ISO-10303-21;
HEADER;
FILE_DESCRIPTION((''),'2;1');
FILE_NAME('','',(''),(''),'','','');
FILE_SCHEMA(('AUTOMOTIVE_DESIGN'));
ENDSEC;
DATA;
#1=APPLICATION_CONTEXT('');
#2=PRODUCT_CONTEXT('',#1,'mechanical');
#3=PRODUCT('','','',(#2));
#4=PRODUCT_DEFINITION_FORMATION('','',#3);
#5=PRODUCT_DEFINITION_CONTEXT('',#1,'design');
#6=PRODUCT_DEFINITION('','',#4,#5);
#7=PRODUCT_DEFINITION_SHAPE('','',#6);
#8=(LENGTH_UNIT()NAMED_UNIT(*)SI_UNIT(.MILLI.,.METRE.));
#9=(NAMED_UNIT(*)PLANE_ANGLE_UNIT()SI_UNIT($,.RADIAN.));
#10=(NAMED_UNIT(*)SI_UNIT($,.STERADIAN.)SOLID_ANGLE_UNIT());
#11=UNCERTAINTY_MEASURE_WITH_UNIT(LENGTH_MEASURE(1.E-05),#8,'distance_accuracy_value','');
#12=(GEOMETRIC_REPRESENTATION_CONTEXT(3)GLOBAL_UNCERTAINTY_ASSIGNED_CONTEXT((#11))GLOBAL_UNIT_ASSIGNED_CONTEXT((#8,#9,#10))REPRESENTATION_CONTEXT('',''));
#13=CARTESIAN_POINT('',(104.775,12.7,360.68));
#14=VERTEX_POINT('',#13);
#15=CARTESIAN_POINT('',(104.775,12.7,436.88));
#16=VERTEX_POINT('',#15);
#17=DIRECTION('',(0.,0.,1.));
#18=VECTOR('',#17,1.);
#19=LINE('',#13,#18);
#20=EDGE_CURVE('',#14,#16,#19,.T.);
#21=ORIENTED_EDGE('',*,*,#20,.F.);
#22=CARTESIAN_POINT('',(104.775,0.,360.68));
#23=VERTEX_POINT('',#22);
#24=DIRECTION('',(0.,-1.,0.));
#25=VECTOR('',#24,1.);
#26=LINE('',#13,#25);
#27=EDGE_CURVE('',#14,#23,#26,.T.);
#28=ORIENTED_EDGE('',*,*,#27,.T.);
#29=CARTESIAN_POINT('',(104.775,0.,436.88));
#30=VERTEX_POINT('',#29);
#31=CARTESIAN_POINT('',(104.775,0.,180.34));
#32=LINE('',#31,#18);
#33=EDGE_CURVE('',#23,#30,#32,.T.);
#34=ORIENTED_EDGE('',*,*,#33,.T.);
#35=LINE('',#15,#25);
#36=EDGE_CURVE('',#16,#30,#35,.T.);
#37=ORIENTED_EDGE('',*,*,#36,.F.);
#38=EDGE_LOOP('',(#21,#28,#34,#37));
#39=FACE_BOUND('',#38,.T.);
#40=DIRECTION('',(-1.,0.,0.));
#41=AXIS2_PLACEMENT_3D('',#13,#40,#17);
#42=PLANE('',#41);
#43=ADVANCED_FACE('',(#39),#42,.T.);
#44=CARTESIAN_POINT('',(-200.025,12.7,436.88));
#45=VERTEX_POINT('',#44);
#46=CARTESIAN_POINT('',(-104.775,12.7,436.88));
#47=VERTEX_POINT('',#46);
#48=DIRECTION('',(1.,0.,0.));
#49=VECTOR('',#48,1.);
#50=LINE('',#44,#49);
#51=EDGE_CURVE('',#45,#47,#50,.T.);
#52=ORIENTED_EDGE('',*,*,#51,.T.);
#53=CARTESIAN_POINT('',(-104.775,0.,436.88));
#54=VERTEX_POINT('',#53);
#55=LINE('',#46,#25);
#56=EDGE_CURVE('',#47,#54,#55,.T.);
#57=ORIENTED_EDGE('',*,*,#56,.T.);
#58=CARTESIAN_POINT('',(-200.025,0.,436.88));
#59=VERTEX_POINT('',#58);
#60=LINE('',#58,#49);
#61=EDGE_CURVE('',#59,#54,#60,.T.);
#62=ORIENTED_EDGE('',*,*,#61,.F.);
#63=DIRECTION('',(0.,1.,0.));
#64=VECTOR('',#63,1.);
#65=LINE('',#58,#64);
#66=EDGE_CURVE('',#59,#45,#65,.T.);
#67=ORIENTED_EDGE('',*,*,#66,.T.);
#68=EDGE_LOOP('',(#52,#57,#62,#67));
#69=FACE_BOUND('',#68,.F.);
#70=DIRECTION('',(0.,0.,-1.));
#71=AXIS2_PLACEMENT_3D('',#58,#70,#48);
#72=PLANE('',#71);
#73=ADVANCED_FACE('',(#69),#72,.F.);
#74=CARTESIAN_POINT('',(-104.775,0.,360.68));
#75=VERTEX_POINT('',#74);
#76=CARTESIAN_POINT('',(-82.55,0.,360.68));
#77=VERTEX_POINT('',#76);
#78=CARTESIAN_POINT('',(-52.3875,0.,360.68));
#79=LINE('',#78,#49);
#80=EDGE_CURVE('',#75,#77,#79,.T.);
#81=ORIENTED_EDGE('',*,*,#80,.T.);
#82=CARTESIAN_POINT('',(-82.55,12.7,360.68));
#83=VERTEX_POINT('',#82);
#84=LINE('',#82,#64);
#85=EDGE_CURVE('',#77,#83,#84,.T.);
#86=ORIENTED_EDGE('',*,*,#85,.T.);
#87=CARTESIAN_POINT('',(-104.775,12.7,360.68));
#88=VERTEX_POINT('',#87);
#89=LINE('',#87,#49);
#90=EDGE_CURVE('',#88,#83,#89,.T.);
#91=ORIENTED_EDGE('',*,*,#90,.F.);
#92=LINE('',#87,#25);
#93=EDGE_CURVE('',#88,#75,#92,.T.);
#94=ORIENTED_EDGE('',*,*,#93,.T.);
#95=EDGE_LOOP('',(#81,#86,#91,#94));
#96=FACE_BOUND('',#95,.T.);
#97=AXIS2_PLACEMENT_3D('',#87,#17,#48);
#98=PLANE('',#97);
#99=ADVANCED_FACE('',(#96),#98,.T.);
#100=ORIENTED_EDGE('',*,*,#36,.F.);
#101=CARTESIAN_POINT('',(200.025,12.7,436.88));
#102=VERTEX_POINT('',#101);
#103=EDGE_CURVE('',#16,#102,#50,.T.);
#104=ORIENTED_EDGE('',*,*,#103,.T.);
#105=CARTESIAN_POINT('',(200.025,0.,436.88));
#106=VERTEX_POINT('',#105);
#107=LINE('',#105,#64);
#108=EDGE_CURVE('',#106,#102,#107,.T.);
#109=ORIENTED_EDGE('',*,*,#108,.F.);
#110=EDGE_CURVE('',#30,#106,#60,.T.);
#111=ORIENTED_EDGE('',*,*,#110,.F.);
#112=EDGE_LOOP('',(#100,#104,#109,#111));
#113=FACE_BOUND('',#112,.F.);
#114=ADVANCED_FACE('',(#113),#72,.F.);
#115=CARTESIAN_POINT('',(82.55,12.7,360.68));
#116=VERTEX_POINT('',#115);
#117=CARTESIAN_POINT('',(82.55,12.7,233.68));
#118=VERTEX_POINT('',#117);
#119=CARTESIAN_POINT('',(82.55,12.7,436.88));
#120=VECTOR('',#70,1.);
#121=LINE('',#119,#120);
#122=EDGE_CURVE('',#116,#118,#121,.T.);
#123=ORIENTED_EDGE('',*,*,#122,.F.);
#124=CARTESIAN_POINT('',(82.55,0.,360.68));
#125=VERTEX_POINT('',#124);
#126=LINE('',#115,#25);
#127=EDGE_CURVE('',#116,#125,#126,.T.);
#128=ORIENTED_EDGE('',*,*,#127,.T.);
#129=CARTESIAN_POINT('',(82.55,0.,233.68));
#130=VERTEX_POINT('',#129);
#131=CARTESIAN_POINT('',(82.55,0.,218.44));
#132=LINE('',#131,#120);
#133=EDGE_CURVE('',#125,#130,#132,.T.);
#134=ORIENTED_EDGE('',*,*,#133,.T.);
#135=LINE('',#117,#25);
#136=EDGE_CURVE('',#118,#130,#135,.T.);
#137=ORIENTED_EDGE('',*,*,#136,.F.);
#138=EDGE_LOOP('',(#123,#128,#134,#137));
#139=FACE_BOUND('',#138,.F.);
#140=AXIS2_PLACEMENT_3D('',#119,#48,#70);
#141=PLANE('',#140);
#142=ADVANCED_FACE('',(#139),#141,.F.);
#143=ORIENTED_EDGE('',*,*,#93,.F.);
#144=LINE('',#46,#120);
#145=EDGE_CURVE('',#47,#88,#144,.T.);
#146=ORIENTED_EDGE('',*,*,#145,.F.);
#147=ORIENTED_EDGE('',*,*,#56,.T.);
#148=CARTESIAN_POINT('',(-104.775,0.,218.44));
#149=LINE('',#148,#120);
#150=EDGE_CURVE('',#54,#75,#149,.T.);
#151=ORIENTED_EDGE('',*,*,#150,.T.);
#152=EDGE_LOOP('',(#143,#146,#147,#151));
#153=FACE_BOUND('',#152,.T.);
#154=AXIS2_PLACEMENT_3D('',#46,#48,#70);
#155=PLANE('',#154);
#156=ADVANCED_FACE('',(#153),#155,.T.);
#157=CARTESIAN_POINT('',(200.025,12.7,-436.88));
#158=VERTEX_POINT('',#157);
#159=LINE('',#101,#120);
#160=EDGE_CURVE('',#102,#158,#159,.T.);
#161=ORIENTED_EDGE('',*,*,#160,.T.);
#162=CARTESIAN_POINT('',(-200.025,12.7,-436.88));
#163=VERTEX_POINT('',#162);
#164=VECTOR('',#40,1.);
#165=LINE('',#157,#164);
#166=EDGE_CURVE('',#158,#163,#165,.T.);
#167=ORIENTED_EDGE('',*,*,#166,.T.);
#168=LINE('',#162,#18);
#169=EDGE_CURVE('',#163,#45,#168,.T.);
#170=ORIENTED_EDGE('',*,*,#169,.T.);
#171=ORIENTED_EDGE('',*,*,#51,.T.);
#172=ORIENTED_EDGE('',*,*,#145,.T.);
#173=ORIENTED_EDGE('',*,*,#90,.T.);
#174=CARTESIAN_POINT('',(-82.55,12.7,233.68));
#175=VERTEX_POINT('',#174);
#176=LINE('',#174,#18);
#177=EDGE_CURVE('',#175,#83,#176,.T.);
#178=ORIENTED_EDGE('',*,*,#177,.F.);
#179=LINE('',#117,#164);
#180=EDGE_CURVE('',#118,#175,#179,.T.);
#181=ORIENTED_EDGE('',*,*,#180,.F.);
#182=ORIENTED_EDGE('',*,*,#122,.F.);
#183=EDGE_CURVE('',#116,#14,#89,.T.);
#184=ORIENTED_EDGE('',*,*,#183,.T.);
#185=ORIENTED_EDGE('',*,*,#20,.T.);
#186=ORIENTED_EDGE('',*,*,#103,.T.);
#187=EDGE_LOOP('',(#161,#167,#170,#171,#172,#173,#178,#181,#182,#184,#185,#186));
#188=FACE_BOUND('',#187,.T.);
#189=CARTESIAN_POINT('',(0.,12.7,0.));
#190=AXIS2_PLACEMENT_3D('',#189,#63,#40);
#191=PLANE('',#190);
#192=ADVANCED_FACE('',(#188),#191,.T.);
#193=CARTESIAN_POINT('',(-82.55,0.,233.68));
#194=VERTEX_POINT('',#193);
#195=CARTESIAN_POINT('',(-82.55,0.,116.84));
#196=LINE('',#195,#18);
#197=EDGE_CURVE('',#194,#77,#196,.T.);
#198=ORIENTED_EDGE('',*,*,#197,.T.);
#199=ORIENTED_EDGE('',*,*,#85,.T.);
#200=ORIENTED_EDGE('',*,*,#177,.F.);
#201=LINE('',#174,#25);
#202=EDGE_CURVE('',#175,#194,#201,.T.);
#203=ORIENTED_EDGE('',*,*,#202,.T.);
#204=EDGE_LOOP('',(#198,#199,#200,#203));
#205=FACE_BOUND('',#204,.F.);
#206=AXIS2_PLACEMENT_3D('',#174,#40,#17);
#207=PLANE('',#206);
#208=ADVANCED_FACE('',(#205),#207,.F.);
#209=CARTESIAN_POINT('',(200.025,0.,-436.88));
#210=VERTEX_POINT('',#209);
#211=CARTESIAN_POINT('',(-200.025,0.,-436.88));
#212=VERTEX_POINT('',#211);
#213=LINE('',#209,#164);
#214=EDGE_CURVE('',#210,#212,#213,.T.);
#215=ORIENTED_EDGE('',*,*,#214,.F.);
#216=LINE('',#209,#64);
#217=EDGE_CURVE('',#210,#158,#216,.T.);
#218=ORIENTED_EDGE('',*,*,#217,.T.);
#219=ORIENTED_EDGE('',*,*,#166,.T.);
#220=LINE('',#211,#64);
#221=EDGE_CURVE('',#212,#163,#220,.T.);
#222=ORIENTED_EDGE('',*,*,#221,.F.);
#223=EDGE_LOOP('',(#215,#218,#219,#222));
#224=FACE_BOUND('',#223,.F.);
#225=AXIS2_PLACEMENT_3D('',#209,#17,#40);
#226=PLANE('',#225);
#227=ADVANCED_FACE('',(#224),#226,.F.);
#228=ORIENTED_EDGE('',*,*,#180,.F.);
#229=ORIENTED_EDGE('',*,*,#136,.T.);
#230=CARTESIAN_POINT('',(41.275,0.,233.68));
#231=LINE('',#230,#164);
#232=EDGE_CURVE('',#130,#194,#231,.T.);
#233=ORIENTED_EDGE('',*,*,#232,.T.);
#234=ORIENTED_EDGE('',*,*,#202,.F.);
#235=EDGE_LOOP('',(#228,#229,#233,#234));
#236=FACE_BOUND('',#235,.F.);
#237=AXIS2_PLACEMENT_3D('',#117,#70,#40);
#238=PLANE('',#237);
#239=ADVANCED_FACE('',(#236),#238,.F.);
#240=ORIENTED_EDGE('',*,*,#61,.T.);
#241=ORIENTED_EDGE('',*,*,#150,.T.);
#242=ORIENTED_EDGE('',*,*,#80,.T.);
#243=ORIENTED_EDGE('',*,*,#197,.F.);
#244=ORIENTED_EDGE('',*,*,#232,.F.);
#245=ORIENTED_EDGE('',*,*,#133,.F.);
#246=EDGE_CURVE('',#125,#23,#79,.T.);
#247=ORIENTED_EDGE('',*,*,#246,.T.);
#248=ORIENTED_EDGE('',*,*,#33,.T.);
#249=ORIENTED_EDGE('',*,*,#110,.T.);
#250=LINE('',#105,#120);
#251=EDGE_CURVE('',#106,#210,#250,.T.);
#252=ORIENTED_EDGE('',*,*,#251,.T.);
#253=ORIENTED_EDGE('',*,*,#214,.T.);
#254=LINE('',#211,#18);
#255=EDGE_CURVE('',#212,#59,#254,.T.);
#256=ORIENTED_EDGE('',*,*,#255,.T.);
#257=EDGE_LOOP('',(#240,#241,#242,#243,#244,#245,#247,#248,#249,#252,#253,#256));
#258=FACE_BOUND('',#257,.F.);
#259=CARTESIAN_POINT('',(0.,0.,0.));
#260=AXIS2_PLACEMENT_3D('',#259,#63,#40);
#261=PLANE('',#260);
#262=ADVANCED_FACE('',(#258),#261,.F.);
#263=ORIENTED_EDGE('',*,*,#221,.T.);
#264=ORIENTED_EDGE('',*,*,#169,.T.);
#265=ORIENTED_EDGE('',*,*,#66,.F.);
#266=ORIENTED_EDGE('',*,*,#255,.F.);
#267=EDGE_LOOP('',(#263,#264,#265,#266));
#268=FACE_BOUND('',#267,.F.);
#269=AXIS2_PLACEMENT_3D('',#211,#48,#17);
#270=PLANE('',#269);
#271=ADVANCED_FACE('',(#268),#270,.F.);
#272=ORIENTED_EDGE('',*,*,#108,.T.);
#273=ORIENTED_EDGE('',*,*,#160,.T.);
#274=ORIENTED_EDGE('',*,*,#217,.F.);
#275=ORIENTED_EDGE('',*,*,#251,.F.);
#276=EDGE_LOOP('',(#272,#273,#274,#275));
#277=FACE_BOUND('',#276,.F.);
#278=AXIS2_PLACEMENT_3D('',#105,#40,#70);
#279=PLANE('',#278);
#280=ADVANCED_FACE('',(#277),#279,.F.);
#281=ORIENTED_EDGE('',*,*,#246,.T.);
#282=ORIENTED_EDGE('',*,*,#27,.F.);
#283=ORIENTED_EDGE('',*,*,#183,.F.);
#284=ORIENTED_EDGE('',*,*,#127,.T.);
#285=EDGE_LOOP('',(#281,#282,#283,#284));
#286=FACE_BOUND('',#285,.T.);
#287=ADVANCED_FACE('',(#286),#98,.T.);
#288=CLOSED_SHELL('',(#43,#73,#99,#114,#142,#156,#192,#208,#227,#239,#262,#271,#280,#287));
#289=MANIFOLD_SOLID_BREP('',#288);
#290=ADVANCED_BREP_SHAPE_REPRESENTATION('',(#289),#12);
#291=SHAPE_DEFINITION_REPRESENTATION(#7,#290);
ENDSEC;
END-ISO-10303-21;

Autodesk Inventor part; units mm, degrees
ref_plane "YZ Plane" through (0, 0, 0) normal (1, 0, 0) x (0, 1, 0)
ref_plane "XZ Plane" through (0, 0, 0) normal (0, 1, 0) x (-1, 0, 0)
ref_plane "XY Plane" through (0, 0, 0) normal (0, 0, 1) x (1, 0, 0)
sketch "Sketch1" plane through (0, 0, 0) normal (0, 1, 0) x (-1, 0, 0)
  line L0 (200.025, 436.88) -> (-200.025, 436.88)
  line L1 (-200.025, 436.88) -> (-200.025, -436.88)
  line L2 (-200.025, -436.88) -> (200.025, -436.88)
  line L3 (200.025, -436.88) -> (200.025, 436.88)
  line L4 (200.025, 436.88) -> (-200.025, -436.88) construction
  line L5 (-200.025, 436.88) -> (200.025, -436.88) construction
  point P0 (0, 0)
  dimension "d0" = 400.05
  dimension "d1" = 873.76
extrude "Extrusion1" add sketch "Sketch1" along normal blind 12.7
sketch "Sketch4" plane through (0, 12.7, 0) normal (0, 1, 0) x (1, 0, 0)
  line L0 (-82.55, -436.88) -> (82.55, -436.88)
  line L1 (82.55, -436.88) -> (82.55, -233.68)
  line L2 (82.55, -233.68) -> (-82.55, -233.68)
  line L3 (-82.55, -233.68) -> (-82.55, -436.88)
  line L4 (-82.55, -436.88) -> (82.55, -233.68) construction
  line L5 (82.55, -436.88) -> (-82.55, -233.68) construction
  line L6 (-200.025, -436.88) -> (200.025, -436.88) projected
  line L7 (-200.025, 436.88) -> (-200.025, -436.88) projected
  line L8 (200.025, -436.88) -> (200.025, 436.88) projected
  point P0 (0, 0)
  point P1 (0, -335.28)
  dimension "d11" = 0
  dimension "d12" = 165.1
  dimension "d13" = 203.2
  dimension "d19" = 117.475
  dimension "d20" = 117.475
extrude "Extrusion2" cut sketch "Sketch4" against normal through all
sketch "Sketch6" plane through (0, 12.7, 0) normal (0, 1, 0) x (1, 0, 0)
  line L0 (0, 0) -> (0, -436.88) construction
  line L1 (-104.775, -360.68) -> (104.775, -360.68)
  line L2 (104.775, -360.68) -> (104.775, -436.88)
  line L3 (104.775, -436.88) -> (-104.775, -436.88)
  line L4 (-104.775, -436.88) -> (-104.775, -360.68)
  line L5 (-104.775, -360.68) -> (104.775, -436.88) construction
  line L6 (104.775, -360.68) -> (-104.775, -436.88) construction
  line L7 (-200.025, -436.88) -> (-82.55, -436.88) projected
  point P0 (0, -398.78)
  dimension "d24" = 209.55
  dimension "d25" = 76.2
extrude "Extrusion4" cut sketch "Sketch6" against normal through all
properties part number "2020 Wood Base" material "Wood (Birch)"
